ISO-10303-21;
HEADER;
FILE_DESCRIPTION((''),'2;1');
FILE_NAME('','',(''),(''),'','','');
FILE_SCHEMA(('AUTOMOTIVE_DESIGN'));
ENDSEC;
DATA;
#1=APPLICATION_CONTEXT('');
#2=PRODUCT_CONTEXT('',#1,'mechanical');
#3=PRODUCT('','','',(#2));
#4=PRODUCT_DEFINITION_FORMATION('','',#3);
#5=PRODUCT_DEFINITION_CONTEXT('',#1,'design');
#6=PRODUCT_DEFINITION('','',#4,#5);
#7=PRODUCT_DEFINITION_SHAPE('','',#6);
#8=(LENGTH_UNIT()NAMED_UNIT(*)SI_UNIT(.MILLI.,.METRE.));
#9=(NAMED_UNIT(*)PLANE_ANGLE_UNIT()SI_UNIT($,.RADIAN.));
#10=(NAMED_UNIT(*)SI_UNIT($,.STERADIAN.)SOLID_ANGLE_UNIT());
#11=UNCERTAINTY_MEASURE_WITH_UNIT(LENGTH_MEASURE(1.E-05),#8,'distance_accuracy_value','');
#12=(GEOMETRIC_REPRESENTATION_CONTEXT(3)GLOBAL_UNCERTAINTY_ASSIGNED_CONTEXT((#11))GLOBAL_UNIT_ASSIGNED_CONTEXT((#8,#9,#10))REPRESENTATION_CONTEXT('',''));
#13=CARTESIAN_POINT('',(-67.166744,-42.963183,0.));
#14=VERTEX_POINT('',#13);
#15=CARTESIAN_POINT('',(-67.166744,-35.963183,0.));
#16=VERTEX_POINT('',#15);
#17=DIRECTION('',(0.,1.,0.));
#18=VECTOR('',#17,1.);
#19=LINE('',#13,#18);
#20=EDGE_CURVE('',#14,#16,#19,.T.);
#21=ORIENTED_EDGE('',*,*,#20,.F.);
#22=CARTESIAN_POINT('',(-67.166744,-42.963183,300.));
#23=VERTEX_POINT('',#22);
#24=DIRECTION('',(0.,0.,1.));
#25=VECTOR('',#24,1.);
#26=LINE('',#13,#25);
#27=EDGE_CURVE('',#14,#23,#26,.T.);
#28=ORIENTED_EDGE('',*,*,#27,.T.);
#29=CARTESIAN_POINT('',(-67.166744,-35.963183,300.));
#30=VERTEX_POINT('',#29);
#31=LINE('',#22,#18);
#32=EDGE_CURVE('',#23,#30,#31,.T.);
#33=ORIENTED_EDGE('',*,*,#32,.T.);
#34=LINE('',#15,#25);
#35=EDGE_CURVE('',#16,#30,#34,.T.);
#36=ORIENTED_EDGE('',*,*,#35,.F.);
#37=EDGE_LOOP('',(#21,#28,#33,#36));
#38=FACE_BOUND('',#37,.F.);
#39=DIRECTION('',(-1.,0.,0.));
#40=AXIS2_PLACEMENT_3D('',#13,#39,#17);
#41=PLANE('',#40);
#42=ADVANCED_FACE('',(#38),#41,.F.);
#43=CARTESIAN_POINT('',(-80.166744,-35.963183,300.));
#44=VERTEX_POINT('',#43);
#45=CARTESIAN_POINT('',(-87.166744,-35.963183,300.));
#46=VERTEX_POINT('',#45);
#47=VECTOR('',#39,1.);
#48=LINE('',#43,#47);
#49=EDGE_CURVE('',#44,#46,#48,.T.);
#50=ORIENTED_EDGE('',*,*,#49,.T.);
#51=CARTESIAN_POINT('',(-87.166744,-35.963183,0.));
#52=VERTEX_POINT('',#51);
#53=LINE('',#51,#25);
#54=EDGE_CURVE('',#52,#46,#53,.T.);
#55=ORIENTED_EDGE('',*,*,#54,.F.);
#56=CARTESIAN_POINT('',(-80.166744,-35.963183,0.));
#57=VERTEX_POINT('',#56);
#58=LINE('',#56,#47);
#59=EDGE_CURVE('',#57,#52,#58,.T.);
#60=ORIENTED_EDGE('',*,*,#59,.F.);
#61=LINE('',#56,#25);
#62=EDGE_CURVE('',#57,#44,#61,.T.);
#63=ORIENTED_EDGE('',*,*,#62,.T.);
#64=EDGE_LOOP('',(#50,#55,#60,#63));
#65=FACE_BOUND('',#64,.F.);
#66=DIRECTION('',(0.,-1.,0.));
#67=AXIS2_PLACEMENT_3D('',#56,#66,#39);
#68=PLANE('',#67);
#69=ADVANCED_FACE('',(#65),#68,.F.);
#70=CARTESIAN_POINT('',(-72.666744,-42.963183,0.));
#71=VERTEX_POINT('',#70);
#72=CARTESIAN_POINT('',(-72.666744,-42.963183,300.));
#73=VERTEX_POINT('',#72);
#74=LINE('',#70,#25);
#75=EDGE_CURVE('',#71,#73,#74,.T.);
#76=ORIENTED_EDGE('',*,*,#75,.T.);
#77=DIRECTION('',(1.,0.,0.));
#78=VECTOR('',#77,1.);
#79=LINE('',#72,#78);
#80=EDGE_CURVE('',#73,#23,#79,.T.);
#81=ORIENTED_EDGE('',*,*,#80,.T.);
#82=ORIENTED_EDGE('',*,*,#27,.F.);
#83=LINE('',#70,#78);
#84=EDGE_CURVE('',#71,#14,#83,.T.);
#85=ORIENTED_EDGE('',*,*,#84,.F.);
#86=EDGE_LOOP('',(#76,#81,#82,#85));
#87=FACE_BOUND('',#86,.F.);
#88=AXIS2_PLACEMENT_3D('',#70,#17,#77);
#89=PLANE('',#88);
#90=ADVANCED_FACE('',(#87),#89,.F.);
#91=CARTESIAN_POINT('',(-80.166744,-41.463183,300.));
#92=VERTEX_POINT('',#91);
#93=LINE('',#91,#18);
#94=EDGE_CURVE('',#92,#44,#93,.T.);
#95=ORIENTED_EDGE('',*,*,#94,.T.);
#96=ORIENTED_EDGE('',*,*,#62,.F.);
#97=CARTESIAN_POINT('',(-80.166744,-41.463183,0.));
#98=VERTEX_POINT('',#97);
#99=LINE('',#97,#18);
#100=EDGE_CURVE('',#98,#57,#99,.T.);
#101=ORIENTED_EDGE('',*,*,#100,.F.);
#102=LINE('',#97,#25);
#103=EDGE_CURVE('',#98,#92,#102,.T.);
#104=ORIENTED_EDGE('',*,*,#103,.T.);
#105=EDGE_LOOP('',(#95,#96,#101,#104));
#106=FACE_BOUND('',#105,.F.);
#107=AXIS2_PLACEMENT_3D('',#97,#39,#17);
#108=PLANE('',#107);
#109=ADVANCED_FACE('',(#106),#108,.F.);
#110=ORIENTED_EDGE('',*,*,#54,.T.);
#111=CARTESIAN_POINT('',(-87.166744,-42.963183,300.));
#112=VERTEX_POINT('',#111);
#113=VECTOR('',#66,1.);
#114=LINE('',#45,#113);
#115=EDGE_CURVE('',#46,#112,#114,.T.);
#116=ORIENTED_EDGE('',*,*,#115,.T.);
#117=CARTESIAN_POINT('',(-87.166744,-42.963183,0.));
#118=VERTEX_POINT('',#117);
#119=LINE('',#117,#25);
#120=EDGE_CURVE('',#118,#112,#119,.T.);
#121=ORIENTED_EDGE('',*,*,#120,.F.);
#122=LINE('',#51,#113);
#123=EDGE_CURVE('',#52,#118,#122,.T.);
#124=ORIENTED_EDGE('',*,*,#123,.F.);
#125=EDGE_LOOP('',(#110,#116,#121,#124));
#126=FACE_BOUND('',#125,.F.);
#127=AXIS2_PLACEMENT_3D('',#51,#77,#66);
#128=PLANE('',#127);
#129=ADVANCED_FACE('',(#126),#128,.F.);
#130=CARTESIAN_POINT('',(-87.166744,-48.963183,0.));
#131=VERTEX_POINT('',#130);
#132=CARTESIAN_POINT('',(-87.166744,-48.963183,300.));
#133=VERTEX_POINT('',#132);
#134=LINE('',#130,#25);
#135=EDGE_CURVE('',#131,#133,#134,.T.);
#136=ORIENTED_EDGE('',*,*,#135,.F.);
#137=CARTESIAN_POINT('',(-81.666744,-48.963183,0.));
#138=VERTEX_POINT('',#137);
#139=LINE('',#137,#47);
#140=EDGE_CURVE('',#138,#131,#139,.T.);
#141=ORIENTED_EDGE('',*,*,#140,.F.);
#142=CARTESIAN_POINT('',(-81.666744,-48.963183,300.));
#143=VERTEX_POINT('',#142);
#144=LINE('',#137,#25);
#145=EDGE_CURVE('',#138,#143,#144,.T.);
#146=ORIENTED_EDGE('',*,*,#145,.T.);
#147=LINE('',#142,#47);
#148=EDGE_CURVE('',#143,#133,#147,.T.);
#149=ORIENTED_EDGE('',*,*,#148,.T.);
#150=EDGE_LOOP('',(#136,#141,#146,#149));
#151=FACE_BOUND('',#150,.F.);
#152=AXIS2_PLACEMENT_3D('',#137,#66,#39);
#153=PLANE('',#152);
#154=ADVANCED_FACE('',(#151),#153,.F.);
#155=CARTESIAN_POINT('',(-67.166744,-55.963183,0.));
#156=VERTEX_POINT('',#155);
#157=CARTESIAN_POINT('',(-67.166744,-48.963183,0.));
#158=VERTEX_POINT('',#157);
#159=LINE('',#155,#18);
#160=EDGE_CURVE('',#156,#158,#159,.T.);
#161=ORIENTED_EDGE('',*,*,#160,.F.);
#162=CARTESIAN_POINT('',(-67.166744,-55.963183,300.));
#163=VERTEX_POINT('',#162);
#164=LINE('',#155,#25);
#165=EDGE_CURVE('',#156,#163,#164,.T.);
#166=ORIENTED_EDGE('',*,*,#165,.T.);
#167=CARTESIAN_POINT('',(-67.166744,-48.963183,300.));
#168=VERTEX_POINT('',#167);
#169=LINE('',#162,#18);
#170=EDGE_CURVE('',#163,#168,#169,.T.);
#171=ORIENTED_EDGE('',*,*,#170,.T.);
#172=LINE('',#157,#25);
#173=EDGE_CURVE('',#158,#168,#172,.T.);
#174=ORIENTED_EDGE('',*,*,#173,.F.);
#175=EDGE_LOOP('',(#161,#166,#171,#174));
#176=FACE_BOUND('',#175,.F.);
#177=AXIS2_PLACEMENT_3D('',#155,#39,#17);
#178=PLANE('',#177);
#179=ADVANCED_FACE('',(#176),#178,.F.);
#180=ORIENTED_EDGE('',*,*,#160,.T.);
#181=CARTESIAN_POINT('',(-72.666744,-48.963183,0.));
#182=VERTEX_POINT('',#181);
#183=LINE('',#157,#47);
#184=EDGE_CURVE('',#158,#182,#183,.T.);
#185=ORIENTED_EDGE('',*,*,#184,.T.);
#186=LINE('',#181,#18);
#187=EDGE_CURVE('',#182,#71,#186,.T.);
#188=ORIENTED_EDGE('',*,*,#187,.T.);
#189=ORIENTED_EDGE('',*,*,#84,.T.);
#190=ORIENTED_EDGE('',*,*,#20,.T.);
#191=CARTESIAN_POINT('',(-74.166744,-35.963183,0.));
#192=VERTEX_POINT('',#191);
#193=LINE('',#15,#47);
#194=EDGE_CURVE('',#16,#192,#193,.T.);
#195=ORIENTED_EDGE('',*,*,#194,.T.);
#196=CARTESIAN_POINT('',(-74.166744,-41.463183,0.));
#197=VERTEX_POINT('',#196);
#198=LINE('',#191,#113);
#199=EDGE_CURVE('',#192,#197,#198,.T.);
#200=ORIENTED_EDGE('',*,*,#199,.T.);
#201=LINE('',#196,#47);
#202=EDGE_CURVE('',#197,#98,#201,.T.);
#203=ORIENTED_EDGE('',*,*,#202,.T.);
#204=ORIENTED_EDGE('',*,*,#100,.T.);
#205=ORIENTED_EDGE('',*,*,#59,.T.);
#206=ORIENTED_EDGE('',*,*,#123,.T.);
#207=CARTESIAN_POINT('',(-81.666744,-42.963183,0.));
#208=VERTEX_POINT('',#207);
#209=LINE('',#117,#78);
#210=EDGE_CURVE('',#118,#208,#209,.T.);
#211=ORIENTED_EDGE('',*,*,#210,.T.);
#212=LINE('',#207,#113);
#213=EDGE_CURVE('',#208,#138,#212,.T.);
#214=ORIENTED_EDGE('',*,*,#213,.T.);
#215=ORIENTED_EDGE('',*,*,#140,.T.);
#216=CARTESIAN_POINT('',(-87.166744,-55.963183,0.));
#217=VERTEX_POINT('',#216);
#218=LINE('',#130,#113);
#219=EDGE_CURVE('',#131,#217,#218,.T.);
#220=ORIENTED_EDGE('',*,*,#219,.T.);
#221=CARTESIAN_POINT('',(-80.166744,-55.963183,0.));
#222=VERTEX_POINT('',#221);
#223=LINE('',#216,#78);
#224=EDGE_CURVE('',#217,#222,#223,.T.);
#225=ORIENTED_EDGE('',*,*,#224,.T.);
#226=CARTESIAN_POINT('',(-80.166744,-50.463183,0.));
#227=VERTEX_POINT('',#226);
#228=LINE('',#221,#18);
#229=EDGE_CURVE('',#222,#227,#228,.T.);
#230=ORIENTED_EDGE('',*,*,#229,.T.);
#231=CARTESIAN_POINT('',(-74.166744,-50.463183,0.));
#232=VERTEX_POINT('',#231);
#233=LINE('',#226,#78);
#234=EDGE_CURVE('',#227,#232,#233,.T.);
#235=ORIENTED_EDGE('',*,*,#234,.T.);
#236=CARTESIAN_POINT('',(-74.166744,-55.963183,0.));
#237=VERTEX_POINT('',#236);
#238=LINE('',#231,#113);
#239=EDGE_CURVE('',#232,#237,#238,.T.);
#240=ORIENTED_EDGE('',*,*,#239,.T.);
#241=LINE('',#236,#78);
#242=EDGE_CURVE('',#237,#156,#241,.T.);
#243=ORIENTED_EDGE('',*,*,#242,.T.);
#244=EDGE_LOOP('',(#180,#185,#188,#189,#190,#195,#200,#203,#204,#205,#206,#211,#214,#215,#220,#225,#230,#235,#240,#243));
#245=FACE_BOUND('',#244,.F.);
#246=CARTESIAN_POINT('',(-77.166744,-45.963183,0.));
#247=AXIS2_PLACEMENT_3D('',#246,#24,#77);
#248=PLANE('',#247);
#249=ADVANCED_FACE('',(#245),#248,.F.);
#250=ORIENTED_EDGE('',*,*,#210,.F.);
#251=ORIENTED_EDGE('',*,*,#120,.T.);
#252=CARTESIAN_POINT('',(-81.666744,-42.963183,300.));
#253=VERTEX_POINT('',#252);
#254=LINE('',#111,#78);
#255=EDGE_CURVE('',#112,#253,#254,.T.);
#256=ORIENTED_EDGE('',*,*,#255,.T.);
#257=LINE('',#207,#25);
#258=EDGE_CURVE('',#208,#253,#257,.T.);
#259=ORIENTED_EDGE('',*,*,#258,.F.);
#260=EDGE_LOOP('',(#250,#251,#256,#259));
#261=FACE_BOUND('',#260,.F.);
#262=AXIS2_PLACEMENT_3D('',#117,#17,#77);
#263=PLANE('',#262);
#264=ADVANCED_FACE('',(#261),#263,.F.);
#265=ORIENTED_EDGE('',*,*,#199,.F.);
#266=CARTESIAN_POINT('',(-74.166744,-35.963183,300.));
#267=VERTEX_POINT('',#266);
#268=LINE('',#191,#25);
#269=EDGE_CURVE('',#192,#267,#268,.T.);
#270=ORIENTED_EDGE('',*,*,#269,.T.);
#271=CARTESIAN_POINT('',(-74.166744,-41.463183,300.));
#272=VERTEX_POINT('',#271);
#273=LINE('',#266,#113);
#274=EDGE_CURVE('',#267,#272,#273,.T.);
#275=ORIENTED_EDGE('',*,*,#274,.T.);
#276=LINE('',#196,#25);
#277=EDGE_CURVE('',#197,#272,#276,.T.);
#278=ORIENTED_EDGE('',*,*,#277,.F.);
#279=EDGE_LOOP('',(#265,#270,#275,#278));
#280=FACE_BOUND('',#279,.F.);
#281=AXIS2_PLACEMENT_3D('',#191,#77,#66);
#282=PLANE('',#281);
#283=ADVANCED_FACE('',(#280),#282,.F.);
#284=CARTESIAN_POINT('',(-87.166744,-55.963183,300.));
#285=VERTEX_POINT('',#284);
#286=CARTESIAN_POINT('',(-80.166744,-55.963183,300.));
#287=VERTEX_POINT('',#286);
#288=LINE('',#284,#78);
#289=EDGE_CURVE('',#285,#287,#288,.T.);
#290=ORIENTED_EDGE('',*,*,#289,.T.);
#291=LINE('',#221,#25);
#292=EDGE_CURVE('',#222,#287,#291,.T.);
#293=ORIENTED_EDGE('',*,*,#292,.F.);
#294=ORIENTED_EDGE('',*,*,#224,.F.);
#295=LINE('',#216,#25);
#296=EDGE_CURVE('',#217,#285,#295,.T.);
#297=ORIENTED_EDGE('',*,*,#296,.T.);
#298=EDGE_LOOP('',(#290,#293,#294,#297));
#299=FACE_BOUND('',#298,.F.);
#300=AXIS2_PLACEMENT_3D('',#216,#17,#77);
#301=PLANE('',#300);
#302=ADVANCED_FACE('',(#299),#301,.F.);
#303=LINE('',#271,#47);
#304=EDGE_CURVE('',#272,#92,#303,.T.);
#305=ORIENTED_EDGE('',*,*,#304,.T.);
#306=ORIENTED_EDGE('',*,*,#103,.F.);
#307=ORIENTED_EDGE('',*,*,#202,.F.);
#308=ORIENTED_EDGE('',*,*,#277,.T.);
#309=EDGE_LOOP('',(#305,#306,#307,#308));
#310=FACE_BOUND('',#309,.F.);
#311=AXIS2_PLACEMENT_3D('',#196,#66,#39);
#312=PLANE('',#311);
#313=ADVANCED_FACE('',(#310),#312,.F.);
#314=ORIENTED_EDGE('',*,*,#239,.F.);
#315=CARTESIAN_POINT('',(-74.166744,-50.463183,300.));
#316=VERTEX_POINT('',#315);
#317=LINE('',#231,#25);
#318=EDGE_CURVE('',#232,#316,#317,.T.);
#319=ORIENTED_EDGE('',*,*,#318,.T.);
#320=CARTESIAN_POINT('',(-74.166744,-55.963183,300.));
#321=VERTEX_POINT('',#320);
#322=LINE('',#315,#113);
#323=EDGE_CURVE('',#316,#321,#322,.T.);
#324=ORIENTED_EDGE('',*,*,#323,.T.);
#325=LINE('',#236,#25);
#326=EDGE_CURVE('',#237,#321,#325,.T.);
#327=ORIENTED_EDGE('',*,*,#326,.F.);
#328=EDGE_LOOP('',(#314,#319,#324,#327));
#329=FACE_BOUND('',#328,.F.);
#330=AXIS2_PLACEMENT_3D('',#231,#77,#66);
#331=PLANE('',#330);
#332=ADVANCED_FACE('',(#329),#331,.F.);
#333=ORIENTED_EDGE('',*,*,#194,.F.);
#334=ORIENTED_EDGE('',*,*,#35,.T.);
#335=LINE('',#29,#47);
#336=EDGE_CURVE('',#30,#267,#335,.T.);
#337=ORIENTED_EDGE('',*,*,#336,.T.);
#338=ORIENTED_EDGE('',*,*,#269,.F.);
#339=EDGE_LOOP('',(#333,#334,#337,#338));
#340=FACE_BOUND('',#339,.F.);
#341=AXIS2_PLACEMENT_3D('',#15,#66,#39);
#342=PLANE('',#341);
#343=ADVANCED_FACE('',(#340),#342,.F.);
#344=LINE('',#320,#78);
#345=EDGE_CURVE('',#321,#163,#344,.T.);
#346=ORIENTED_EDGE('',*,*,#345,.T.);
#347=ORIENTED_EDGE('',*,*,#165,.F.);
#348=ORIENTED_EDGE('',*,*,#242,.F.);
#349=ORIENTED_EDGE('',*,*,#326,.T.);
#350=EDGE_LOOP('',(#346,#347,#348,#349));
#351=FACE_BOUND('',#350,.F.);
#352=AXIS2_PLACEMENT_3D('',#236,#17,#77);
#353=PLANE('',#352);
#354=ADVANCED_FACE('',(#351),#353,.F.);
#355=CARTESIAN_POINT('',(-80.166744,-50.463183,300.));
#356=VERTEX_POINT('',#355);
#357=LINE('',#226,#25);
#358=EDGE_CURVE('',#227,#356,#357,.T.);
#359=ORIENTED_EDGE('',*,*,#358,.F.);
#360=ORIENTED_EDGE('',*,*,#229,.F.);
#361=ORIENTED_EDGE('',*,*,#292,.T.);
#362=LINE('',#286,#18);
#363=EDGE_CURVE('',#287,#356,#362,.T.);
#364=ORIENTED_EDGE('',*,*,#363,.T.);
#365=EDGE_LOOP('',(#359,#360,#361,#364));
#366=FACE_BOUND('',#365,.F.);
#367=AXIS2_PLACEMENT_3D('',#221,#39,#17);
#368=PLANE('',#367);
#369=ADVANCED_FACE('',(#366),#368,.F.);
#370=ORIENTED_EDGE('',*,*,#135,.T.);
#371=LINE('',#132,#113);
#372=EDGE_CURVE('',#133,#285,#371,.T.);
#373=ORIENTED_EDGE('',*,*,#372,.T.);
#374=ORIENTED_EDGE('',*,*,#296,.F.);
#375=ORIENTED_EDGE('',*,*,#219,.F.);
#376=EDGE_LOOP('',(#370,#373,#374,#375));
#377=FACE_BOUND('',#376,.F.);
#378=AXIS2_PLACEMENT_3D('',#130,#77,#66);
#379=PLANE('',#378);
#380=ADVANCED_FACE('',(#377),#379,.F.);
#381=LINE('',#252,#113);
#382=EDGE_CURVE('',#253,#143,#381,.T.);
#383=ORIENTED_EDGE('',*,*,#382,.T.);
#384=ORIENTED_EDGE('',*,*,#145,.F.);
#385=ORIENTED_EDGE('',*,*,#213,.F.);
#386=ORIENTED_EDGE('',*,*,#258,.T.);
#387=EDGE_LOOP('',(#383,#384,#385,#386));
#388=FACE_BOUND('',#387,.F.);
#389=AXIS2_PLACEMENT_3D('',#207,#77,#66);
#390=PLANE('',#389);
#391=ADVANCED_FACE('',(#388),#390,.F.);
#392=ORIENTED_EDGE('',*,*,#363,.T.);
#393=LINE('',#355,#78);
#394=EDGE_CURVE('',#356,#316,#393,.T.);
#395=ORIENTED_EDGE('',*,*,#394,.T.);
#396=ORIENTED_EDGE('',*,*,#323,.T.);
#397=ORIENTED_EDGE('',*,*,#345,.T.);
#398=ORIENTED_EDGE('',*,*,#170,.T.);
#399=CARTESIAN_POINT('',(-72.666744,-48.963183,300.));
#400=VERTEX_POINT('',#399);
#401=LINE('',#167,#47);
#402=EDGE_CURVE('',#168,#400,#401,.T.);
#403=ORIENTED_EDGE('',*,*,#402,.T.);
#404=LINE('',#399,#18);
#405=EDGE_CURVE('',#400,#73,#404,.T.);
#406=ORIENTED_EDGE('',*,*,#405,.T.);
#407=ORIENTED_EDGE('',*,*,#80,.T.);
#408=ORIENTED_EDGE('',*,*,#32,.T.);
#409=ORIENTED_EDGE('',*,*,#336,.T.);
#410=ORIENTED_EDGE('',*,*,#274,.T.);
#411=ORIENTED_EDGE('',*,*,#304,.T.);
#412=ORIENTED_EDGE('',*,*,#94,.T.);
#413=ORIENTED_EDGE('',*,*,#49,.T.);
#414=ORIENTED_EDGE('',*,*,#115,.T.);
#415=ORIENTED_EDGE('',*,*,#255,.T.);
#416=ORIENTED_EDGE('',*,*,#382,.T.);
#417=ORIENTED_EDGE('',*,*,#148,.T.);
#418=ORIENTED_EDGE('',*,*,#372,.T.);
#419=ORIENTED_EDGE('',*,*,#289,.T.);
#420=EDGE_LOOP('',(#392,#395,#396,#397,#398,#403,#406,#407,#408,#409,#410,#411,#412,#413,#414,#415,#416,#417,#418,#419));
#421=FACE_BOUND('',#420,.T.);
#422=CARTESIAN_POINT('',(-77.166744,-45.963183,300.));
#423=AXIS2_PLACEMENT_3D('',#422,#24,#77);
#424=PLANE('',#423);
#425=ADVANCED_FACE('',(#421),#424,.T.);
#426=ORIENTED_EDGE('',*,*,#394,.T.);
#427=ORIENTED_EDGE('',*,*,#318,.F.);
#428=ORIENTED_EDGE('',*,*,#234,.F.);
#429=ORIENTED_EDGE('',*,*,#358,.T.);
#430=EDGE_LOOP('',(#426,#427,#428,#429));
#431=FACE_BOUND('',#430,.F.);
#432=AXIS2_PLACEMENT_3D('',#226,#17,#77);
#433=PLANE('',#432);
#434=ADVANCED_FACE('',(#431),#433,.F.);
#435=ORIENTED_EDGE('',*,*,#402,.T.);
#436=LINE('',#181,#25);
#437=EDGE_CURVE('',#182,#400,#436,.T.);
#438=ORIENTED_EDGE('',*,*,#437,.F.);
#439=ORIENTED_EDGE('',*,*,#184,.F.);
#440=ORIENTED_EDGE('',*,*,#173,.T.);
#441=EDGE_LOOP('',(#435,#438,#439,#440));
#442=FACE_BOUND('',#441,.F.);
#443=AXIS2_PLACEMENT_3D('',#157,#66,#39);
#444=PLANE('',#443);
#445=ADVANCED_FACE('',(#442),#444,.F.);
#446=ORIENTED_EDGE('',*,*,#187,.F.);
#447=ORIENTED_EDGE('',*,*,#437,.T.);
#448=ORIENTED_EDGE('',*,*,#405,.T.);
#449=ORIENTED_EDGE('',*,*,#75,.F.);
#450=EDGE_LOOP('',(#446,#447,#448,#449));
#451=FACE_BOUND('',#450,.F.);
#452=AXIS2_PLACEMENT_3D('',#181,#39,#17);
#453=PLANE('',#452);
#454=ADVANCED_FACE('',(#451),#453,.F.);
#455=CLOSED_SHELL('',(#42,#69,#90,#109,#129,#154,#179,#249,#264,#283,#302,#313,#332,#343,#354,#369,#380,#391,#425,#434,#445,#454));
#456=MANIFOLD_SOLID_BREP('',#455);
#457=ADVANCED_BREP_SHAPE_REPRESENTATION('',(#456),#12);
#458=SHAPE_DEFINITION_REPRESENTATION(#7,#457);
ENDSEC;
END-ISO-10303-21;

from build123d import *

# Parameters (mm, degrees)
F1_DEPTH = 300


with BuildPart() as f1:
    # F0 (on Top) → F1 (new body)
    with BuildSketch(Plane.XY):
        Polygon((-87.166744, -48.963183), (-87.166744, -55.963183), (-80.166744, -55.963183), (-80.166744, -50.463183), (-74.166744, -50.463183), (-74.166744, -55.963183), (-67.166744, -55.963183), (-67.166744, -48.963183), (-72.666744, -48.963183), (-72.666744, -42.963183), (-67.166744, -42.963183), (-67.166744, -35.963183), (-74.166744, -35.963183), (-74.166744, -41.463183), (-80.166744, -41.463183), (-80.166744, -35.963183), (-87.166744, -35.963183), (-87.166744, -42.963183), (-81.666744, -42.963183), (-81.666744, -48.963183), align=None)
    extrude(amount=F1_DEPTH)


solid = f1.part
